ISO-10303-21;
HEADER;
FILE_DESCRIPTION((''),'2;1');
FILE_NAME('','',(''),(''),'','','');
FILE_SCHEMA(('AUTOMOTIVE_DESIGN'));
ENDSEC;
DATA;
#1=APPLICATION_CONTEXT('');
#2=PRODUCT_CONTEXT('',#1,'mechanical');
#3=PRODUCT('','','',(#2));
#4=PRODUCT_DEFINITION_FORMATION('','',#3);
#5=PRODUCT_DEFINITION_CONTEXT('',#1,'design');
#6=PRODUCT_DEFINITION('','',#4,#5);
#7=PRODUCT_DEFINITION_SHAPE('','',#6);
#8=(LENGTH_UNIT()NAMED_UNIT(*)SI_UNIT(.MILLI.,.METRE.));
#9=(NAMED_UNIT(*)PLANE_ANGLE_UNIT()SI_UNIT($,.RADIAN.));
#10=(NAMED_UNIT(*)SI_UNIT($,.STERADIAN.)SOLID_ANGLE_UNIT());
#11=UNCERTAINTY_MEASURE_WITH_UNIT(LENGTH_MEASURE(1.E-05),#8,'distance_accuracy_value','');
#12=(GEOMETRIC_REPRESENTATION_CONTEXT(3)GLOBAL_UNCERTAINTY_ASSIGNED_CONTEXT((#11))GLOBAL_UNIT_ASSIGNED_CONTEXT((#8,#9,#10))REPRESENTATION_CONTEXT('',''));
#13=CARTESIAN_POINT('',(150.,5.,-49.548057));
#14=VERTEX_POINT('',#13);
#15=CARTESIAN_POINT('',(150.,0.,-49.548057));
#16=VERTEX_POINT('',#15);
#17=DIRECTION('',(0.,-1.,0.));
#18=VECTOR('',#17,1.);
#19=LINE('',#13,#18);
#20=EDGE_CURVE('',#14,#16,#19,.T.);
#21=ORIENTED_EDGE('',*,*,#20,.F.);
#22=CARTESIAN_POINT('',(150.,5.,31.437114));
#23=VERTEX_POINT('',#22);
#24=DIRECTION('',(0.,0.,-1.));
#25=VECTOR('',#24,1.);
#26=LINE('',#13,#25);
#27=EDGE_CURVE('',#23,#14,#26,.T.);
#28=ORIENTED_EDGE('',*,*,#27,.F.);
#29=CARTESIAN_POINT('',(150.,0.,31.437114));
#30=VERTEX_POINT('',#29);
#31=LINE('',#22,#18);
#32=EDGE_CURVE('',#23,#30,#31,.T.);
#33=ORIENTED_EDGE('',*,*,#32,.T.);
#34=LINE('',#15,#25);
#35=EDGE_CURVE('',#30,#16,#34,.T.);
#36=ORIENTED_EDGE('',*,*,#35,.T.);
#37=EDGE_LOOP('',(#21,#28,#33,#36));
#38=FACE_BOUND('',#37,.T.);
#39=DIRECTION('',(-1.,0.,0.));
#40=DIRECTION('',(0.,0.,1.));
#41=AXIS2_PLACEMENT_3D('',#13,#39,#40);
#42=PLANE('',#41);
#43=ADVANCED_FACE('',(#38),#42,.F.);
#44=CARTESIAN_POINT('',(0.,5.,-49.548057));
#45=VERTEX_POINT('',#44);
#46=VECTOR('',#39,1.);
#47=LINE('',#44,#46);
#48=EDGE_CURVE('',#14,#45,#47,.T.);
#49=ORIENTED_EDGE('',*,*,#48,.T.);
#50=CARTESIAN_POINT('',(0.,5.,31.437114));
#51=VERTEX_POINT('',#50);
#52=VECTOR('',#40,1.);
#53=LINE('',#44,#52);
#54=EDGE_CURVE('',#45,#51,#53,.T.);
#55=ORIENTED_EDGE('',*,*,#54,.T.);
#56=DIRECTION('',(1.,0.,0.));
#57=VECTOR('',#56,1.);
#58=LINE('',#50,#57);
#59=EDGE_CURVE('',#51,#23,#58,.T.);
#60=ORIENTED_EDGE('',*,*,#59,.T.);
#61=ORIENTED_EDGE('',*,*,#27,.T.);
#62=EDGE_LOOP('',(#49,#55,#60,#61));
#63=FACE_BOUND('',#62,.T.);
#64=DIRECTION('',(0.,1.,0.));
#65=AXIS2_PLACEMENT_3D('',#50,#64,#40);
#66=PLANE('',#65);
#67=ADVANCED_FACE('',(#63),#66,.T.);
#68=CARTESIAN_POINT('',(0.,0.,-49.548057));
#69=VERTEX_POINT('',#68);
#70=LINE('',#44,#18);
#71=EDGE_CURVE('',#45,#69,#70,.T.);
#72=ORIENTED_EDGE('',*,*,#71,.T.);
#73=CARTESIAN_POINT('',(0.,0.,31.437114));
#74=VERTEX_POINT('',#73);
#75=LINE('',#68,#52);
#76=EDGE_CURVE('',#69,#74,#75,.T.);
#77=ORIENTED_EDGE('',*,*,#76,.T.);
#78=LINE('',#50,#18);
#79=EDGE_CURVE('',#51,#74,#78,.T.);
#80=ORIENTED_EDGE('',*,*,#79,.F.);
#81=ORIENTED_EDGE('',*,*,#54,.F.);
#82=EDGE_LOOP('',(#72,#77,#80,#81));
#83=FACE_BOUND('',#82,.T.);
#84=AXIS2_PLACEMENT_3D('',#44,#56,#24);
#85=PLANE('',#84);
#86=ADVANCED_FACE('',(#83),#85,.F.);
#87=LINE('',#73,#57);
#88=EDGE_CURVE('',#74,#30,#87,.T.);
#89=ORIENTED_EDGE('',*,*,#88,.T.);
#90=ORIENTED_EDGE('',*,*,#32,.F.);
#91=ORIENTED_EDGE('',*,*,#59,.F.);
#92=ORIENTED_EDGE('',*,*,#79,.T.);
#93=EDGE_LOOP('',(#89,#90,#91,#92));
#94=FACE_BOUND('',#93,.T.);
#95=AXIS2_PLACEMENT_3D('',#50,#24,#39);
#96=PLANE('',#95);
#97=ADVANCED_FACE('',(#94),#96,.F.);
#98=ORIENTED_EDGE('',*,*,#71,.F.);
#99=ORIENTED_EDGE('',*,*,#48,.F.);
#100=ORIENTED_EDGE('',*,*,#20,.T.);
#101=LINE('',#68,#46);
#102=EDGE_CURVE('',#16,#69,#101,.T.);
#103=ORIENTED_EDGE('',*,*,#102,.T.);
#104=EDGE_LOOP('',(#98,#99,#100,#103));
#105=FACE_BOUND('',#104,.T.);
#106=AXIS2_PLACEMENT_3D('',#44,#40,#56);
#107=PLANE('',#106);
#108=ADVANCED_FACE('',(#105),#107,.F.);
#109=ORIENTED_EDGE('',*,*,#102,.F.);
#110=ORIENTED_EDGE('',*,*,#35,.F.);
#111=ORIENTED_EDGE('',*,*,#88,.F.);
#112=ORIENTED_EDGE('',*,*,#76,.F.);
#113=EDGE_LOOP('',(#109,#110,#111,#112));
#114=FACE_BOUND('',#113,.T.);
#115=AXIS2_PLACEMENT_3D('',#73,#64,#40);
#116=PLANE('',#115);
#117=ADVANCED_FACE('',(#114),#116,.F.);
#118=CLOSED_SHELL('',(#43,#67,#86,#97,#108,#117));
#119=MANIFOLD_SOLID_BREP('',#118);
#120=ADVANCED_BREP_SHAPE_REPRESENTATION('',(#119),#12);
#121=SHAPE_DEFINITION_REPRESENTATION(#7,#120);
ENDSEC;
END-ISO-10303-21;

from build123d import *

# Parameters (mm, degrees)
SKETCH_1_W      = 150
SKETCH_1_H      = 80.98517055
EXTRUDE_1_DEPTH = 5


with BuildPart() as part:
    # Эскиз1 → Вытянуть1 (new body)
    with BuildSketch(Plane(origin=(0, 0, 0), x_dir=(1, 0, 0), z_dir=(0, 1, 0))):
        with Locations((75, 9.055471234)):
            Rectangle(SKETCH_1_W, SKETCH_1_H)
    extrude(amount=EXTRUDE_1_DEPTH)


solid = part.part
